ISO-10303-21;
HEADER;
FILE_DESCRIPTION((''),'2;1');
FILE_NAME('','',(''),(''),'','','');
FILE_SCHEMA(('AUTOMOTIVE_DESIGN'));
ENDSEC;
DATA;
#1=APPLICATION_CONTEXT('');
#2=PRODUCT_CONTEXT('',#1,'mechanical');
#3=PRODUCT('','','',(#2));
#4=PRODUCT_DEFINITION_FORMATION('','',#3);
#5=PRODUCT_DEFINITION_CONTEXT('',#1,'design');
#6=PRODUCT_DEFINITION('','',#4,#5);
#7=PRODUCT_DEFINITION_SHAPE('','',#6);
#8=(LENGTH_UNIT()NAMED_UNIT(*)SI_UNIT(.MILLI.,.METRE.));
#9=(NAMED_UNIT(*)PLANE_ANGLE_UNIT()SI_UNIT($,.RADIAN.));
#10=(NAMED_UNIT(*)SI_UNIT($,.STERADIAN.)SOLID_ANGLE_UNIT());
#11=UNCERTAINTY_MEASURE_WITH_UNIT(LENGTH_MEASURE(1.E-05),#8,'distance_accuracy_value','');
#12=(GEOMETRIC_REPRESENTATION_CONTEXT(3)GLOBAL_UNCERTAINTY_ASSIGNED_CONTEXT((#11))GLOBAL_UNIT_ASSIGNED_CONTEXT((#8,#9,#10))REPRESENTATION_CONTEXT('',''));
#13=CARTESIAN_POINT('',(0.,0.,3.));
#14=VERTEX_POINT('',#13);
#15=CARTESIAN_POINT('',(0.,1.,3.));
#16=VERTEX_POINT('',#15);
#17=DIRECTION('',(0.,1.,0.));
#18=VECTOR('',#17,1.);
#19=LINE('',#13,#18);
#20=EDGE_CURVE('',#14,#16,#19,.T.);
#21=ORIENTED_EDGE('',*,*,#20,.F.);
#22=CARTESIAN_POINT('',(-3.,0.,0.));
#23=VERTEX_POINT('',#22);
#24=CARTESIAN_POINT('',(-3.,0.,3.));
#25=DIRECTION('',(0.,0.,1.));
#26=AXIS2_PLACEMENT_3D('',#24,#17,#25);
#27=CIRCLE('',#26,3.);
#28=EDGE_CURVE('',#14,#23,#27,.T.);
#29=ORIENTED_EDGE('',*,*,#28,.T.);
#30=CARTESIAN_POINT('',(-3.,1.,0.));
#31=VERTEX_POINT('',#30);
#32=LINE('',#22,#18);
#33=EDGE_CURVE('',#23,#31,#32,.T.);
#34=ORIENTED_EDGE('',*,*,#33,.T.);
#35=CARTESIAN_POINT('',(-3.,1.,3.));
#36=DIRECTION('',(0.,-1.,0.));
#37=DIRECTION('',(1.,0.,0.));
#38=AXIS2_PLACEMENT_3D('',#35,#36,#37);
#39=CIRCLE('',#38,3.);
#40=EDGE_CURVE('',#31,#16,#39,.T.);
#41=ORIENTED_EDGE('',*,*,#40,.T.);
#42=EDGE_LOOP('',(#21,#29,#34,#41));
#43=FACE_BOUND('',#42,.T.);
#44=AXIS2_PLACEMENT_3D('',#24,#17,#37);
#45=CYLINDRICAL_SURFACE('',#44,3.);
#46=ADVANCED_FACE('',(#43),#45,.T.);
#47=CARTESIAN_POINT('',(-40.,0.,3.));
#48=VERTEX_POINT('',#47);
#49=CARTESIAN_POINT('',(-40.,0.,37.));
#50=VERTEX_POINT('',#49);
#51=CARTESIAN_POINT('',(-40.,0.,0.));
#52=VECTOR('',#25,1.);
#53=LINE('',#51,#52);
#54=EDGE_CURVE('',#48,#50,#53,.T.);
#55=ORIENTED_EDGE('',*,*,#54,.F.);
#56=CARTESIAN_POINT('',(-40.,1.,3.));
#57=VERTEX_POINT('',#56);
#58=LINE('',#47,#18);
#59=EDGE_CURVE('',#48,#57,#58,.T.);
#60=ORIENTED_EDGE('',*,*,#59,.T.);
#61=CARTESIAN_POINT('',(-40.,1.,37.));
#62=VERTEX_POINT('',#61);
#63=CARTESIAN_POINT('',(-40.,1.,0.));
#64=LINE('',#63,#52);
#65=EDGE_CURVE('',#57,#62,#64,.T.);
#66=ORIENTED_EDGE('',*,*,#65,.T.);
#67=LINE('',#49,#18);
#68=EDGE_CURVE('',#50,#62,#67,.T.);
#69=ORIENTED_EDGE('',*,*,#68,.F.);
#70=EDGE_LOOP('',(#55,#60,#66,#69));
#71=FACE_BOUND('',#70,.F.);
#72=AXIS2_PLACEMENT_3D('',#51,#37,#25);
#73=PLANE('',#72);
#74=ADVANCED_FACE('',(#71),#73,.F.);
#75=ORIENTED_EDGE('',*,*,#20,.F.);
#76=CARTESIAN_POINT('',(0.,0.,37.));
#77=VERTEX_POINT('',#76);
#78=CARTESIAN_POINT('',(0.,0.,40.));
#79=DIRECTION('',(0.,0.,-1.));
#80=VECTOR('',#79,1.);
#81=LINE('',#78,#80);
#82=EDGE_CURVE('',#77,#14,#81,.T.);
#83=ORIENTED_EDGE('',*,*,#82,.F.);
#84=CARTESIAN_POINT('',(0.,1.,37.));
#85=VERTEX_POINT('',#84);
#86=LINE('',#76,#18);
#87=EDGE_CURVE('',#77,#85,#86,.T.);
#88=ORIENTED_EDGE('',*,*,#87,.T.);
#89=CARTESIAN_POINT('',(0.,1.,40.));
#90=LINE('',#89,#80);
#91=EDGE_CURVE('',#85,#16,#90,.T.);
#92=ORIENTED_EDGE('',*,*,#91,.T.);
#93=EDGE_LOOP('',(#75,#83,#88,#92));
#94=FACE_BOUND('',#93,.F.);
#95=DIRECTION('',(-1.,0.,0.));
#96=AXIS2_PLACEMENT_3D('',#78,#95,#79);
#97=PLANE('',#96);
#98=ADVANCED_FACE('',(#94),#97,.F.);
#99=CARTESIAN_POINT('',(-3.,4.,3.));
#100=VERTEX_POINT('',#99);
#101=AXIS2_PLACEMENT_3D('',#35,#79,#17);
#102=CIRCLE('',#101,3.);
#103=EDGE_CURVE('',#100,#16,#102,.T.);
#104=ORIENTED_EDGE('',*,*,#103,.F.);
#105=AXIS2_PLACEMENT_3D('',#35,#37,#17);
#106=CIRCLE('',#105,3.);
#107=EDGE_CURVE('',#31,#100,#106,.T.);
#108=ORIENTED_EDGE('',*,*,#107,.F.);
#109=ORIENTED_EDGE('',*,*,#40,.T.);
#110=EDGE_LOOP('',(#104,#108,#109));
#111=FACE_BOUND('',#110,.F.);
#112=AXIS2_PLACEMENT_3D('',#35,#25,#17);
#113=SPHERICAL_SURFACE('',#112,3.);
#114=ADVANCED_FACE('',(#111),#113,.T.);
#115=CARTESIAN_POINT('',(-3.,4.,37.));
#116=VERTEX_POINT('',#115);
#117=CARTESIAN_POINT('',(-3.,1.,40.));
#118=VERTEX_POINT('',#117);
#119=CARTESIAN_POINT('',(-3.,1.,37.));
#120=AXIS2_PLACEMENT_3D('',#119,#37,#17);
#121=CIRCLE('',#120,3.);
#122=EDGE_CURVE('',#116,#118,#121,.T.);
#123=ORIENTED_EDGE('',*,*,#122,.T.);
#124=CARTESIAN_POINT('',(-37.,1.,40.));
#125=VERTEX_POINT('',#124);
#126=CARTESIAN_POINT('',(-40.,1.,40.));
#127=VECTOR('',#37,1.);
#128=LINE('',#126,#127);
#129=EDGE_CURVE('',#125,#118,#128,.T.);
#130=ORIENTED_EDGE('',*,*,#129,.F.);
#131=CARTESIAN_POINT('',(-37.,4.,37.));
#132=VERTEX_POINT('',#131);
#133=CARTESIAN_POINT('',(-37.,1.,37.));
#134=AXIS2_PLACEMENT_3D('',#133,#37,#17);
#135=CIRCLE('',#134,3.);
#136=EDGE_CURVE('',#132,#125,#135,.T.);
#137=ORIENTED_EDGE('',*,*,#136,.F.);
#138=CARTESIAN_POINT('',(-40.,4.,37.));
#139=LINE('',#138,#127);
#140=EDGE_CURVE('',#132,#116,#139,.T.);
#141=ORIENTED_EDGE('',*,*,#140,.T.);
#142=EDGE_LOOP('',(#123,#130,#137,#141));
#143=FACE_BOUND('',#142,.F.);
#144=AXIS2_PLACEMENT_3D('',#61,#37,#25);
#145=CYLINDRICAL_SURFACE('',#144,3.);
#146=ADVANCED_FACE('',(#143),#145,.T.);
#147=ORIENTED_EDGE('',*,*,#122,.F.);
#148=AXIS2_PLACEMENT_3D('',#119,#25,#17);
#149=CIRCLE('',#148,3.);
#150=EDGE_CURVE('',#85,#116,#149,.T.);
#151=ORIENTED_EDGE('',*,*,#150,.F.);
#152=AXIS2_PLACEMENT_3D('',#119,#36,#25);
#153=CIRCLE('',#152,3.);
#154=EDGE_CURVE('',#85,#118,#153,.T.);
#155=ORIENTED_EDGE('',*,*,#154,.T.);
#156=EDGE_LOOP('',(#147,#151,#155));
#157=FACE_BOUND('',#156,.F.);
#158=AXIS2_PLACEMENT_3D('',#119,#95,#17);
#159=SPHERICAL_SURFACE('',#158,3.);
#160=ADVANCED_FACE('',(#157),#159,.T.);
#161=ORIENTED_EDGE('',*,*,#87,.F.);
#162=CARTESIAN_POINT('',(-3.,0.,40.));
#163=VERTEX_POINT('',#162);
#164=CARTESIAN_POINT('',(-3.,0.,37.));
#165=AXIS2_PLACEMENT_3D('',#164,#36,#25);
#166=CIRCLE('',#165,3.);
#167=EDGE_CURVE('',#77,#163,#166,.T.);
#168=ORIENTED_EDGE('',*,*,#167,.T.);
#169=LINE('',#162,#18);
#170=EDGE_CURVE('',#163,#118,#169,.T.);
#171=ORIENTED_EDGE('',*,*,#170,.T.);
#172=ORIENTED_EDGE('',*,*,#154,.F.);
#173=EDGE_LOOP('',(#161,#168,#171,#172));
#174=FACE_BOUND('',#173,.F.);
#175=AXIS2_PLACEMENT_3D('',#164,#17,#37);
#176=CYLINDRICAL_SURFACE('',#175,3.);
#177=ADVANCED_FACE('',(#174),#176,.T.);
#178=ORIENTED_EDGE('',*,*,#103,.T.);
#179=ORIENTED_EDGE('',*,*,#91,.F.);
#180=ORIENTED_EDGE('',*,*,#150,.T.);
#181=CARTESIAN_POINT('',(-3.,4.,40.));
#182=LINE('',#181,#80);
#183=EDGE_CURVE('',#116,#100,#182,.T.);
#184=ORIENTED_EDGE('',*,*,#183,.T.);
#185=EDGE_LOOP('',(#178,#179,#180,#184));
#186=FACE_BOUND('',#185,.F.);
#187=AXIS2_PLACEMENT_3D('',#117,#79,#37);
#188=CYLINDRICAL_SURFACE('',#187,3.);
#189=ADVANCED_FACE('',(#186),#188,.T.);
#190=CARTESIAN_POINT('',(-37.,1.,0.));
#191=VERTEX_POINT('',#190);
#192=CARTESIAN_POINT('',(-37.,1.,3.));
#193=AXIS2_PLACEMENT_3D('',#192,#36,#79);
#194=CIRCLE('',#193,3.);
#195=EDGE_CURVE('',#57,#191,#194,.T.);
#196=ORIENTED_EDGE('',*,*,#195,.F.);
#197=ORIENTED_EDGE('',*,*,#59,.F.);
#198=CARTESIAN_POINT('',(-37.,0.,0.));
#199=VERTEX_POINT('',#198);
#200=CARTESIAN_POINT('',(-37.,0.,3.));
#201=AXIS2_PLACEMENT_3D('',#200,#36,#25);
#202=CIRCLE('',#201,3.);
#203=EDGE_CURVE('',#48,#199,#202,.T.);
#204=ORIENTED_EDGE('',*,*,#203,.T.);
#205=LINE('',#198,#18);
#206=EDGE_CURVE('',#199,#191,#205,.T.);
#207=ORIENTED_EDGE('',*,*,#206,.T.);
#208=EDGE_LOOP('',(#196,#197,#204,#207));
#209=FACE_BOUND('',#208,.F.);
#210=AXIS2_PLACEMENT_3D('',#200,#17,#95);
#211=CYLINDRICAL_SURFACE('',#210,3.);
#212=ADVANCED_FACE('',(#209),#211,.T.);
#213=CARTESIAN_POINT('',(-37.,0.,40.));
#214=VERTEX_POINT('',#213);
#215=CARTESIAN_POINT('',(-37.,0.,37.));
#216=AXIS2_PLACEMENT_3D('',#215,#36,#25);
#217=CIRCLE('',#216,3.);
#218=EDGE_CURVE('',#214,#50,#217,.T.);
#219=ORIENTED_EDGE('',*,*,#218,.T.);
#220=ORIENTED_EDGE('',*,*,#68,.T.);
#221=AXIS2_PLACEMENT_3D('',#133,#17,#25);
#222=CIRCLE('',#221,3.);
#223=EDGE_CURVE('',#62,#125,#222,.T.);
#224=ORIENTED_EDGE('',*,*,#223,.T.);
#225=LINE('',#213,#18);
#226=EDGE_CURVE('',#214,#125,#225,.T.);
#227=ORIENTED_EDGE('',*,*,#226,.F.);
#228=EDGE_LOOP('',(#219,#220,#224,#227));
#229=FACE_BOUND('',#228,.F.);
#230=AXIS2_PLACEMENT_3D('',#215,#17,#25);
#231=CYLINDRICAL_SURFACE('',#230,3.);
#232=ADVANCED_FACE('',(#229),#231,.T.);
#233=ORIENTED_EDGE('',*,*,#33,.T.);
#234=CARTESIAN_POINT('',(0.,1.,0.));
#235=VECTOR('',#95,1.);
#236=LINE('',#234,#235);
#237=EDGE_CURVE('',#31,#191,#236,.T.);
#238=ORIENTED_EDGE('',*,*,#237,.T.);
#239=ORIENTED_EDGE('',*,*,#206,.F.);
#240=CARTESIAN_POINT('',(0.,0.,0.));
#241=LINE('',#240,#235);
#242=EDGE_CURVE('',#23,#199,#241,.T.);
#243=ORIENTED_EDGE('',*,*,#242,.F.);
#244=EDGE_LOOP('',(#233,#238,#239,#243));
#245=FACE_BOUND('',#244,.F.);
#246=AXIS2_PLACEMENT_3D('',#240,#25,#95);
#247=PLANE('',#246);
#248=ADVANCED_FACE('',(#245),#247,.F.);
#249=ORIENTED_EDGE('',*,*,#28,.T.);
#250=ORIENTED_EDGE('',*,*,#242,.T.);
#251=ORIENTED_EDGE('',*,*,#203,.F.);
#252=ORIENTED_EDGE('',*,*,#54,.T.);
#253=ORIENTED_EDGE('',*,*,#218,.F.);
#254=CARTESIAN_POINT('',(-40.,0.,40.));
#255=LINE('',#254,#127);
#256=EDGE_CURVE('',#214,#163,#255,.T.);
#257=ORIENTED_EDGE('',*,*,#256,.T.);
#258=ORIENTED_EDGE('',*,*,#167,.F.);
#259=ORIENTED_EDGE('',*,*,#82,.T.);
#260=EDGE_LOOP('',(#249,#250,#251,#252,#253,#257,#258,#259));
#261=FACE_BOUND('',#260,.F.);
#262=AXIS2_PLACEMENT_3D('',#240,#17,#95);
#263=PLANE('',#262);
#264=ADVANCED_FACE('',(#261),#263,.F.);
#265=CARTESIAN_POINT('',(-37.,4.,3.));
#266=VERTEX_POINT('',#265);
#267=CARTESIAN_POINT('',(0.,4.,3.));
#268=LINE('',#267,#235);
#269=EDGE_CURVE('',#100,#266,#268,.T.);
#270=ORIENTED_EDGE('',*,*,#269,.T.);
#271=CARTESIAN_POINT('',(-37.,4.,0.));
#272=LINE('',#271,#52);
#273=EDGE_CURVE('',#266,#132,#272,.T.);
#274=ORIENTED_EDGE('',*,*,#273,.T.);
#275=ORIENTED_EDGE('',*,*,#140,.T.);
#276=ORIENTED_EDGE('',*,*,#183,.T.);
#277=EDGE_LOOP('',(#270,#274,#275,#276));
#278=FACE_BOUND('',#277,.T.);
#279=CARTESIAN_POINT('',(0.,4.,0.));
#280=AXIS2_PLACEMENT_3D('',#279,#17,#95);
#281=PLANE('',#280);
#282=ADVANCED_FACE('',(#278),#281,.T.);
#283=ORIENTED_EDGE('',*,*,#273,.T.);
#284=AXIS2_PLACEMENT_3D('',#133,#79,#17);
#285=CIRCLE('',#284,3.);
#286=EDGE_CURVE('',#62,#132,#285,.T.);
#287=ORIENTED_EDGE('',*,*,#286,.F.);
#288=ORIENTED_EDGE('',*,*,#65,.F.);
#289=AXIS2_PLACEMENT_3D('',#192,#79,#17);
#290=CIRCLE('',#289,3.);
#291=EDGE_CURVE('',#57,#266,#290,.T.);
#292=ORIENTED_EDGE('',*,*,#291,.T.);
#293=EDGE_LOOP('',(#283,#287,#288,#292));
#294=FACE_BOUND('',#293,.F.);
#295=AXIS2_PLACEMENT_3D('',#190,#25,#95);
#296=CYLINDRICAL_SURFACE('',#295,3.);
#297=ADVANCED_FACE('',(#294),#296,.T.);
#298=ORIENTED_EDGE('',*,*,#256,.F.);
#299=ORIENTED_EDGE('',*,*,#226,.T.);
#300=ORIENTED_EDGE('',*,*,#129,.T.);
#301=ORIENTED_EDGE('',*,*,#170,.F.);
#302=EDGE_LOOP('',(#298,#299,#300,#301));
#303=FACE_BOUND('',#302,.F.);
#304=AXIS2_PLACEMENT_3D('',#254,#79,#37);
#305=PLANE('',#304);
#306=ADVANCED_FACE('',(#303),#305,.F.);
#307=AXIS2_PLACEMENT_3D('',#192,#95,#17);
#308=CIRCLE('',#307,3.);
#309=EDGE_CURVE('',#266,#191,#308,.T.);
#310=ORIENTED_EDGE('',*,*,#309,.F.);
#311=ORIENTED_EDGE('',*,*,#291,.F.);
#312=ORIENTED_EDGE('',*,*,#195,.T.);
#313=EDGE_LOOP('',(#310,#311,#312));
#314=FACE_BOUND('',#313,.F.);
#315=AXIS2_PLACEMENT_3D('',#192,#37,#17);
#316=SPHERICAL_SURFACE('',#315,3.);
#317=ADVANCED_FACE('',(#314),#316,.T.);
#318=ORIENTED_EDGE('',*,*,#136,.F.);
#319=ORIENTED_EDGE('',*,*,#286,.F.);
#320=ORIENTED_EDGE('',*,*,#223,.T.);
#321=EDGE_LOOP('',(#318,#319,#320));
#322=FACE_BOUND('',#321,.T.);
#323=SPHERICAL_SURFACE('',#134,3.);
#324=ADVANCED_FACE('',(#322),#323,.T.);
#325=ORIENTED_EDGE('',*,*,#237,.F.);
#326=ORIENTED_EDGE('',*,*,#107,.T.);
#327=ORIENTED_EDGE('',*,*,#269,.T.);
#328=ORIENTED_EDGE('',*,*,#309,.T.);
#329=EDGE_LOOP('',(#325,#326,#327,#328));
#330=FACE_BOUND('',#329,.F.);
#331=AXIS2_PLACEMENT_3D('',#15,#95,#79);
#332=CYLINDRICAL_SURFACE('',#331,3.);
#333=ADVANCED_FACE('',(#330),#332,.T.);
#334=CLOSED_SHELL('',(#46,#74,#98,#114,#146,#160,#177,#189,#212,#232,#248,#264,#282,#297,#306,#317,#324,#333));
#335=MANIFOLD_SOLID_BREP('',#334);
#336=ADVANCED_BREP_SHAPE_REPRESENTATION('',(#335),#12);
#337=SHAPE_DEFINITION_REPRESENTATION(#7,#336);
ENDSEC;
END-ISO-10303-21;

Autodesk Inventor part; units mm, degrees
ref_plane "YZ Plane" through (0, 0, 0) normal (1, 0, 0) x (0, 1, 0)
ref_plane "XZ Plane" through (0, 0, 0) normal (0, 1, 0) x (-1, 0, 0)
ref_plane "XY Plane" through (0, 0, 0) normal (0, 0, 1) x (1, 0, 0)
sketch "Sketch2" plane through (0, 0, 0) normal (0, 1, 0) x (-1, 0, 0)
  line L0 (0, 0) -> (40, 0)
  line L1 (40, 0) -> (40, 40)
  line L2 (40, 40) -> (0, 40)
  line L3 (0, 40) -> (0, 0)
  dimension "d6" = 40
  dimension "d7" = 40
extrude "Extrusion1" add sketch "Sketch2" along normal blind 4
fillet "Fillet1" radius 3 8 edges at (-20, 4, 40) (0, 4, 20) (-20, 4, 0) (-40, 4, 20) (0, 2, 40) (-40, 2, 40) (0, 2, 0) (-40, 2, 0)
properties part number "B4040_plastic_cover"
